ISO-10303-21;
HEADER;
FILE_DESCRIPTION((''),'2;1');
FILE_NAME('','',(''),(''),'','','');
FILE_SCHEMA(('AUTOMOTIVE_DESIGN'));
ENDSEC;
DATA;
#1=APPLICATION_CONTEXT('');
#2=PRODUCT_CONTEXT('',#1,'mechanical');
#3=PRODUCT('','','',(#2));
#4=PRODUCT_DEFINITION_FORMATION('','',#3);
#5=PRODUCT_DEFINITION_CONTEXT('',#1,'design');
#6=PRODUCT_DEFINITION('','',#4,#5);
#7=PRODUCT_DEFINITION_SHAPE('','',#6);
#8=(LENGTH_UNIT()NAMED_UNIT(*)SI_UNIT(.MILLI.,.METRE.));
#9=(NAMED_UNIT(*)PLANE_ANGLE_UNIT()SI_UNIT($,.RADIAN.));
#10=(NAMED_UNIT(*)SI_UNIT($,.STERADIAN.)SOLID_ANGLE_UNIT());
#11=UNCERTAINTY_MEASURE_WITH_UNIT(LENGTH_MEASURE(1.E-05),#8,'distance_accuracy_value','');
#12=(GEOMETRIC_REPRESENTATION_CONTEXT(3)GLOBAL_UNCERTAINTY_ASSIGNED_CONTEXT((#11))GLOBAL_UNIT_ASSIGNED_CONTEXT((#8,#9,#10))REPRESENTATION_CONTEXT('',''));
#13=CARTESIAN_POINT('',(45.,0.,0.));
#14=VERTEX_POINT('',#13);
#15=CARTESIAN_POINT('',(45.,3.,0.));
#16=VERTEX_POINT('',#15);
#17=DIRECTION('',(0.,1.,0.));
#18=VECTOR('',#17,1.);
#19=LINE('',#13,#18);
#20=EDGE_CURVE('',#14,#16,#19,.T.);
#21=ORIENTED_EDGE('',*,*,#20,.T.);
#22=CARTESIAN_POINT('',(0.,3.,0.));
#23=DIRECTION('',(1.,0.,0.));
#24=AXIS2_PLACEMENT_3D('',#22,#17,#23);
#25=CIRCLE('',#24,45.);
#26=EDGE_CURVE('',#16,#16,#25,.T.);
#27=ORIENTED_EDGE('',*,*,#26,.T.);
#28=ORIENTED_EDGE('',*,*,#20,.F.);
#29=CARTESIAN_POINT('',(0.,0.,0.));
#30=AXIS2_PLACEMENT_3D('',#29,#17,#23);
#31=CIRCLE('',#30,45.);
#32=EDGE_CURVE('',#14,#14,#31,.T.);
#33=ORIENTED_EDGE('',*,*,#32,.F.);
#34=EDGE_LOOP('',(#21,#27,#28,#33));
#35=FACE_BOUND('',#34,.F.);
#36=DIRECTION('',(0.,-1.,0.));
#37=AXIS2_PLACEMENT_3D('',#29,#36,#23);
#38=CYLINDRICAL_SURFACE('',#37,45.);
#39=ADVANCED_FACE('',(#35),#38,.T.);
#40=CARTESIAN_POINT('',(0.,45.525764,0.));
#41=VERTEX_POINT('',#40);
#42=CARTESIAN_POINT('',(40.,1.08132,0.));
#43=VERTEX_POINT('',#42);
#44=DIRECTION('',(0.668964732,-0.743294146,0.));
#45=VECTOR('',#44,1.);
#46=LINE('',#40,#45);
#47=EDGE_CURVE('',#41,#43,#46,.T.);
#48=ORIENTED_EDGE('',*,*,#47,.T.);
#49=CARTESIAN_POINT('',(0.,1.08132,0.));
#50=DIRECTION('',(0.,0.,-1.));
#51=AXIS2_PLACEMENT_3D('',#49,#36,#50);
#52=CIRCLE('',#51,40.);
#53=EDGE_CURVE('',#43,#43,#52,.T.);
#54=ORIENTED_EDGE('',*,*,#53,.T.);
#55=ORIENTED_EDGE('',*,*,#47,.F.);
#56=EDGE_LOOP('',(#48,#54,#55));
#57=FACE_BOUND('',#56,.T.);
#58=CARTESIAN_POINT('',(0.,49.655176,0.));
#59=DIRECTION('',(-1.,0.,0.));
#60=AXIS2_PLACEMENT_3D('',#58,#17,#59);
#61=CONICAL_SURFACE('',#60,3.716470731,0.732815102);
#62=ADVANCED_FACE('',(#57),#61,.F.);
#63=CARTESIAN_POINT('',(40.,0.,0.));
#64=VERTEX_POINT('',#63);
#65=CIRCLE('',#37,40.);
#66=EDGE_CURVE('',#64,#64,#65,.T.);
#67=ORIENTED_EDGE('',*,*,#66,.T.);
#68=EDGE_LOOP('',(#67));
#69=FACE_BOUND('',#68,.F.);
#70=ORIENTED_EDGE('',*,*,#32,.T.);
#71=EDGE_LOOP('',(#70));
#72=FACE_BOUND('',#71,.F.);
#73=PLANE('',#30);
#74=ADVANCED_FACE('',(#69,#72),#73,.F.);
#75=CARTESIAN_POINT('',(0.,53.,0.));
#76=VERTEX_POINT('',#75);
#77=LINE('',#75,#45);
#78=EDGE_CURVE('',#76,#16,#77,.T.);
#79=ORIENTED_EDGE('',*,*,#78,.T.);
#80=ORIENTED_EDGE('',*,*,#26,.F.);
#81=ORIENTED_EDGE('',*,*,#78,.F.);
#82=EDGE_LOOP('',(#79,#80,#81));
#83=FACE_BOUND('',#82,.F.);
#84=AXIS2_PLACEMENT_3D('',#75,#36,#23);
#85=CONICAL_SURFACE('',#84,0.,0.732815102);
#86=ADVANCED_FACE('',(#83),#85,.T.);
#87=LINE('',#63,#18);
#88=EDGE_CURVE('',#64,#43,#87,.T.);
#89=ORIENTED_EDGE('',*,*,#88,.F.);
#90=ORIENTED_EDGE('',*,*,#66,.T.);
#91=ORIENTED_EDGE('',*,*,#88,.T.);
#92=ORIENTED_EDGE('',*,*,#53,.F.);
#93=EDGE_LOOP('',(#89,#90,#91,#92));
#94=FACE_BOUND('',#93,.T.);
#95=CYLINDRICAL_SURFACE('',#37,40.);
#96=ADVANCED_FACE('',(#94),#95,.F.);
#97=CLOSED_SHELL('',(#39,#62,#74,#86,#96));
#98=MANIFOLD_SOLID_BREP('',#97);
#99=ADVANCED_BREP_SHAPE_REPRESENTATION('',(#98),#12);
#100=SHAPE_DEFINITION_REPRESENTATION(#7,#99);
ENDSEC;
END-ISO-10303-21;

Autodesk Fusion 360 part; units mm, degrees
sketch "Sketch1" plane through (0, 0, 0) normal (0, 1, 0) x (1, 0, 0)
  circle A0 centre (0, 0) radius 45
  dimension "d1" = 90
extrude "Extrude1" add sketch "Sketch1" along normal blind 100 makes body 1
sketch "Sketch2" plane through (0, 100, 0) normal (0, 1, 0) x (-1, 0, 0)
  circle A0 centre (0, 0) radius 45
  circle A1 centre (0, 0) radius 42.5
  dimension "d4" = 85
extrude "Extrude2" cut sketch "Sketch2" against normal blind 110 contours A1 bodies 1
sketch "Sketch3" plane through (0, 0, 0) normal (0, 0, 1) x (1, 0, 0)
extrude "Extrude3" add sketch "Sketch1" along normal blind 3 separate body makes body 2
sketch "Sketch4" plane through (0, 0, 0) normal (0, 0, 1) x (1, 0, 0)
  line L0 (0, 3) -> (0, 53)
  line L1 (0, 53) -> (45, 3)
  line L2 (45, 3) -> (0, 3)
  dimension "d9" = 50
revolve "Revolve1" add sketch "Sketch4" angle 360 about axis through (0, 3, 0) along (0, 1, 0) bodies 2
shell "Shell1" thickness 5 removed faces 1 at (4.1569, 0, 25.5535) on bodies 2
hidden bodies 1
